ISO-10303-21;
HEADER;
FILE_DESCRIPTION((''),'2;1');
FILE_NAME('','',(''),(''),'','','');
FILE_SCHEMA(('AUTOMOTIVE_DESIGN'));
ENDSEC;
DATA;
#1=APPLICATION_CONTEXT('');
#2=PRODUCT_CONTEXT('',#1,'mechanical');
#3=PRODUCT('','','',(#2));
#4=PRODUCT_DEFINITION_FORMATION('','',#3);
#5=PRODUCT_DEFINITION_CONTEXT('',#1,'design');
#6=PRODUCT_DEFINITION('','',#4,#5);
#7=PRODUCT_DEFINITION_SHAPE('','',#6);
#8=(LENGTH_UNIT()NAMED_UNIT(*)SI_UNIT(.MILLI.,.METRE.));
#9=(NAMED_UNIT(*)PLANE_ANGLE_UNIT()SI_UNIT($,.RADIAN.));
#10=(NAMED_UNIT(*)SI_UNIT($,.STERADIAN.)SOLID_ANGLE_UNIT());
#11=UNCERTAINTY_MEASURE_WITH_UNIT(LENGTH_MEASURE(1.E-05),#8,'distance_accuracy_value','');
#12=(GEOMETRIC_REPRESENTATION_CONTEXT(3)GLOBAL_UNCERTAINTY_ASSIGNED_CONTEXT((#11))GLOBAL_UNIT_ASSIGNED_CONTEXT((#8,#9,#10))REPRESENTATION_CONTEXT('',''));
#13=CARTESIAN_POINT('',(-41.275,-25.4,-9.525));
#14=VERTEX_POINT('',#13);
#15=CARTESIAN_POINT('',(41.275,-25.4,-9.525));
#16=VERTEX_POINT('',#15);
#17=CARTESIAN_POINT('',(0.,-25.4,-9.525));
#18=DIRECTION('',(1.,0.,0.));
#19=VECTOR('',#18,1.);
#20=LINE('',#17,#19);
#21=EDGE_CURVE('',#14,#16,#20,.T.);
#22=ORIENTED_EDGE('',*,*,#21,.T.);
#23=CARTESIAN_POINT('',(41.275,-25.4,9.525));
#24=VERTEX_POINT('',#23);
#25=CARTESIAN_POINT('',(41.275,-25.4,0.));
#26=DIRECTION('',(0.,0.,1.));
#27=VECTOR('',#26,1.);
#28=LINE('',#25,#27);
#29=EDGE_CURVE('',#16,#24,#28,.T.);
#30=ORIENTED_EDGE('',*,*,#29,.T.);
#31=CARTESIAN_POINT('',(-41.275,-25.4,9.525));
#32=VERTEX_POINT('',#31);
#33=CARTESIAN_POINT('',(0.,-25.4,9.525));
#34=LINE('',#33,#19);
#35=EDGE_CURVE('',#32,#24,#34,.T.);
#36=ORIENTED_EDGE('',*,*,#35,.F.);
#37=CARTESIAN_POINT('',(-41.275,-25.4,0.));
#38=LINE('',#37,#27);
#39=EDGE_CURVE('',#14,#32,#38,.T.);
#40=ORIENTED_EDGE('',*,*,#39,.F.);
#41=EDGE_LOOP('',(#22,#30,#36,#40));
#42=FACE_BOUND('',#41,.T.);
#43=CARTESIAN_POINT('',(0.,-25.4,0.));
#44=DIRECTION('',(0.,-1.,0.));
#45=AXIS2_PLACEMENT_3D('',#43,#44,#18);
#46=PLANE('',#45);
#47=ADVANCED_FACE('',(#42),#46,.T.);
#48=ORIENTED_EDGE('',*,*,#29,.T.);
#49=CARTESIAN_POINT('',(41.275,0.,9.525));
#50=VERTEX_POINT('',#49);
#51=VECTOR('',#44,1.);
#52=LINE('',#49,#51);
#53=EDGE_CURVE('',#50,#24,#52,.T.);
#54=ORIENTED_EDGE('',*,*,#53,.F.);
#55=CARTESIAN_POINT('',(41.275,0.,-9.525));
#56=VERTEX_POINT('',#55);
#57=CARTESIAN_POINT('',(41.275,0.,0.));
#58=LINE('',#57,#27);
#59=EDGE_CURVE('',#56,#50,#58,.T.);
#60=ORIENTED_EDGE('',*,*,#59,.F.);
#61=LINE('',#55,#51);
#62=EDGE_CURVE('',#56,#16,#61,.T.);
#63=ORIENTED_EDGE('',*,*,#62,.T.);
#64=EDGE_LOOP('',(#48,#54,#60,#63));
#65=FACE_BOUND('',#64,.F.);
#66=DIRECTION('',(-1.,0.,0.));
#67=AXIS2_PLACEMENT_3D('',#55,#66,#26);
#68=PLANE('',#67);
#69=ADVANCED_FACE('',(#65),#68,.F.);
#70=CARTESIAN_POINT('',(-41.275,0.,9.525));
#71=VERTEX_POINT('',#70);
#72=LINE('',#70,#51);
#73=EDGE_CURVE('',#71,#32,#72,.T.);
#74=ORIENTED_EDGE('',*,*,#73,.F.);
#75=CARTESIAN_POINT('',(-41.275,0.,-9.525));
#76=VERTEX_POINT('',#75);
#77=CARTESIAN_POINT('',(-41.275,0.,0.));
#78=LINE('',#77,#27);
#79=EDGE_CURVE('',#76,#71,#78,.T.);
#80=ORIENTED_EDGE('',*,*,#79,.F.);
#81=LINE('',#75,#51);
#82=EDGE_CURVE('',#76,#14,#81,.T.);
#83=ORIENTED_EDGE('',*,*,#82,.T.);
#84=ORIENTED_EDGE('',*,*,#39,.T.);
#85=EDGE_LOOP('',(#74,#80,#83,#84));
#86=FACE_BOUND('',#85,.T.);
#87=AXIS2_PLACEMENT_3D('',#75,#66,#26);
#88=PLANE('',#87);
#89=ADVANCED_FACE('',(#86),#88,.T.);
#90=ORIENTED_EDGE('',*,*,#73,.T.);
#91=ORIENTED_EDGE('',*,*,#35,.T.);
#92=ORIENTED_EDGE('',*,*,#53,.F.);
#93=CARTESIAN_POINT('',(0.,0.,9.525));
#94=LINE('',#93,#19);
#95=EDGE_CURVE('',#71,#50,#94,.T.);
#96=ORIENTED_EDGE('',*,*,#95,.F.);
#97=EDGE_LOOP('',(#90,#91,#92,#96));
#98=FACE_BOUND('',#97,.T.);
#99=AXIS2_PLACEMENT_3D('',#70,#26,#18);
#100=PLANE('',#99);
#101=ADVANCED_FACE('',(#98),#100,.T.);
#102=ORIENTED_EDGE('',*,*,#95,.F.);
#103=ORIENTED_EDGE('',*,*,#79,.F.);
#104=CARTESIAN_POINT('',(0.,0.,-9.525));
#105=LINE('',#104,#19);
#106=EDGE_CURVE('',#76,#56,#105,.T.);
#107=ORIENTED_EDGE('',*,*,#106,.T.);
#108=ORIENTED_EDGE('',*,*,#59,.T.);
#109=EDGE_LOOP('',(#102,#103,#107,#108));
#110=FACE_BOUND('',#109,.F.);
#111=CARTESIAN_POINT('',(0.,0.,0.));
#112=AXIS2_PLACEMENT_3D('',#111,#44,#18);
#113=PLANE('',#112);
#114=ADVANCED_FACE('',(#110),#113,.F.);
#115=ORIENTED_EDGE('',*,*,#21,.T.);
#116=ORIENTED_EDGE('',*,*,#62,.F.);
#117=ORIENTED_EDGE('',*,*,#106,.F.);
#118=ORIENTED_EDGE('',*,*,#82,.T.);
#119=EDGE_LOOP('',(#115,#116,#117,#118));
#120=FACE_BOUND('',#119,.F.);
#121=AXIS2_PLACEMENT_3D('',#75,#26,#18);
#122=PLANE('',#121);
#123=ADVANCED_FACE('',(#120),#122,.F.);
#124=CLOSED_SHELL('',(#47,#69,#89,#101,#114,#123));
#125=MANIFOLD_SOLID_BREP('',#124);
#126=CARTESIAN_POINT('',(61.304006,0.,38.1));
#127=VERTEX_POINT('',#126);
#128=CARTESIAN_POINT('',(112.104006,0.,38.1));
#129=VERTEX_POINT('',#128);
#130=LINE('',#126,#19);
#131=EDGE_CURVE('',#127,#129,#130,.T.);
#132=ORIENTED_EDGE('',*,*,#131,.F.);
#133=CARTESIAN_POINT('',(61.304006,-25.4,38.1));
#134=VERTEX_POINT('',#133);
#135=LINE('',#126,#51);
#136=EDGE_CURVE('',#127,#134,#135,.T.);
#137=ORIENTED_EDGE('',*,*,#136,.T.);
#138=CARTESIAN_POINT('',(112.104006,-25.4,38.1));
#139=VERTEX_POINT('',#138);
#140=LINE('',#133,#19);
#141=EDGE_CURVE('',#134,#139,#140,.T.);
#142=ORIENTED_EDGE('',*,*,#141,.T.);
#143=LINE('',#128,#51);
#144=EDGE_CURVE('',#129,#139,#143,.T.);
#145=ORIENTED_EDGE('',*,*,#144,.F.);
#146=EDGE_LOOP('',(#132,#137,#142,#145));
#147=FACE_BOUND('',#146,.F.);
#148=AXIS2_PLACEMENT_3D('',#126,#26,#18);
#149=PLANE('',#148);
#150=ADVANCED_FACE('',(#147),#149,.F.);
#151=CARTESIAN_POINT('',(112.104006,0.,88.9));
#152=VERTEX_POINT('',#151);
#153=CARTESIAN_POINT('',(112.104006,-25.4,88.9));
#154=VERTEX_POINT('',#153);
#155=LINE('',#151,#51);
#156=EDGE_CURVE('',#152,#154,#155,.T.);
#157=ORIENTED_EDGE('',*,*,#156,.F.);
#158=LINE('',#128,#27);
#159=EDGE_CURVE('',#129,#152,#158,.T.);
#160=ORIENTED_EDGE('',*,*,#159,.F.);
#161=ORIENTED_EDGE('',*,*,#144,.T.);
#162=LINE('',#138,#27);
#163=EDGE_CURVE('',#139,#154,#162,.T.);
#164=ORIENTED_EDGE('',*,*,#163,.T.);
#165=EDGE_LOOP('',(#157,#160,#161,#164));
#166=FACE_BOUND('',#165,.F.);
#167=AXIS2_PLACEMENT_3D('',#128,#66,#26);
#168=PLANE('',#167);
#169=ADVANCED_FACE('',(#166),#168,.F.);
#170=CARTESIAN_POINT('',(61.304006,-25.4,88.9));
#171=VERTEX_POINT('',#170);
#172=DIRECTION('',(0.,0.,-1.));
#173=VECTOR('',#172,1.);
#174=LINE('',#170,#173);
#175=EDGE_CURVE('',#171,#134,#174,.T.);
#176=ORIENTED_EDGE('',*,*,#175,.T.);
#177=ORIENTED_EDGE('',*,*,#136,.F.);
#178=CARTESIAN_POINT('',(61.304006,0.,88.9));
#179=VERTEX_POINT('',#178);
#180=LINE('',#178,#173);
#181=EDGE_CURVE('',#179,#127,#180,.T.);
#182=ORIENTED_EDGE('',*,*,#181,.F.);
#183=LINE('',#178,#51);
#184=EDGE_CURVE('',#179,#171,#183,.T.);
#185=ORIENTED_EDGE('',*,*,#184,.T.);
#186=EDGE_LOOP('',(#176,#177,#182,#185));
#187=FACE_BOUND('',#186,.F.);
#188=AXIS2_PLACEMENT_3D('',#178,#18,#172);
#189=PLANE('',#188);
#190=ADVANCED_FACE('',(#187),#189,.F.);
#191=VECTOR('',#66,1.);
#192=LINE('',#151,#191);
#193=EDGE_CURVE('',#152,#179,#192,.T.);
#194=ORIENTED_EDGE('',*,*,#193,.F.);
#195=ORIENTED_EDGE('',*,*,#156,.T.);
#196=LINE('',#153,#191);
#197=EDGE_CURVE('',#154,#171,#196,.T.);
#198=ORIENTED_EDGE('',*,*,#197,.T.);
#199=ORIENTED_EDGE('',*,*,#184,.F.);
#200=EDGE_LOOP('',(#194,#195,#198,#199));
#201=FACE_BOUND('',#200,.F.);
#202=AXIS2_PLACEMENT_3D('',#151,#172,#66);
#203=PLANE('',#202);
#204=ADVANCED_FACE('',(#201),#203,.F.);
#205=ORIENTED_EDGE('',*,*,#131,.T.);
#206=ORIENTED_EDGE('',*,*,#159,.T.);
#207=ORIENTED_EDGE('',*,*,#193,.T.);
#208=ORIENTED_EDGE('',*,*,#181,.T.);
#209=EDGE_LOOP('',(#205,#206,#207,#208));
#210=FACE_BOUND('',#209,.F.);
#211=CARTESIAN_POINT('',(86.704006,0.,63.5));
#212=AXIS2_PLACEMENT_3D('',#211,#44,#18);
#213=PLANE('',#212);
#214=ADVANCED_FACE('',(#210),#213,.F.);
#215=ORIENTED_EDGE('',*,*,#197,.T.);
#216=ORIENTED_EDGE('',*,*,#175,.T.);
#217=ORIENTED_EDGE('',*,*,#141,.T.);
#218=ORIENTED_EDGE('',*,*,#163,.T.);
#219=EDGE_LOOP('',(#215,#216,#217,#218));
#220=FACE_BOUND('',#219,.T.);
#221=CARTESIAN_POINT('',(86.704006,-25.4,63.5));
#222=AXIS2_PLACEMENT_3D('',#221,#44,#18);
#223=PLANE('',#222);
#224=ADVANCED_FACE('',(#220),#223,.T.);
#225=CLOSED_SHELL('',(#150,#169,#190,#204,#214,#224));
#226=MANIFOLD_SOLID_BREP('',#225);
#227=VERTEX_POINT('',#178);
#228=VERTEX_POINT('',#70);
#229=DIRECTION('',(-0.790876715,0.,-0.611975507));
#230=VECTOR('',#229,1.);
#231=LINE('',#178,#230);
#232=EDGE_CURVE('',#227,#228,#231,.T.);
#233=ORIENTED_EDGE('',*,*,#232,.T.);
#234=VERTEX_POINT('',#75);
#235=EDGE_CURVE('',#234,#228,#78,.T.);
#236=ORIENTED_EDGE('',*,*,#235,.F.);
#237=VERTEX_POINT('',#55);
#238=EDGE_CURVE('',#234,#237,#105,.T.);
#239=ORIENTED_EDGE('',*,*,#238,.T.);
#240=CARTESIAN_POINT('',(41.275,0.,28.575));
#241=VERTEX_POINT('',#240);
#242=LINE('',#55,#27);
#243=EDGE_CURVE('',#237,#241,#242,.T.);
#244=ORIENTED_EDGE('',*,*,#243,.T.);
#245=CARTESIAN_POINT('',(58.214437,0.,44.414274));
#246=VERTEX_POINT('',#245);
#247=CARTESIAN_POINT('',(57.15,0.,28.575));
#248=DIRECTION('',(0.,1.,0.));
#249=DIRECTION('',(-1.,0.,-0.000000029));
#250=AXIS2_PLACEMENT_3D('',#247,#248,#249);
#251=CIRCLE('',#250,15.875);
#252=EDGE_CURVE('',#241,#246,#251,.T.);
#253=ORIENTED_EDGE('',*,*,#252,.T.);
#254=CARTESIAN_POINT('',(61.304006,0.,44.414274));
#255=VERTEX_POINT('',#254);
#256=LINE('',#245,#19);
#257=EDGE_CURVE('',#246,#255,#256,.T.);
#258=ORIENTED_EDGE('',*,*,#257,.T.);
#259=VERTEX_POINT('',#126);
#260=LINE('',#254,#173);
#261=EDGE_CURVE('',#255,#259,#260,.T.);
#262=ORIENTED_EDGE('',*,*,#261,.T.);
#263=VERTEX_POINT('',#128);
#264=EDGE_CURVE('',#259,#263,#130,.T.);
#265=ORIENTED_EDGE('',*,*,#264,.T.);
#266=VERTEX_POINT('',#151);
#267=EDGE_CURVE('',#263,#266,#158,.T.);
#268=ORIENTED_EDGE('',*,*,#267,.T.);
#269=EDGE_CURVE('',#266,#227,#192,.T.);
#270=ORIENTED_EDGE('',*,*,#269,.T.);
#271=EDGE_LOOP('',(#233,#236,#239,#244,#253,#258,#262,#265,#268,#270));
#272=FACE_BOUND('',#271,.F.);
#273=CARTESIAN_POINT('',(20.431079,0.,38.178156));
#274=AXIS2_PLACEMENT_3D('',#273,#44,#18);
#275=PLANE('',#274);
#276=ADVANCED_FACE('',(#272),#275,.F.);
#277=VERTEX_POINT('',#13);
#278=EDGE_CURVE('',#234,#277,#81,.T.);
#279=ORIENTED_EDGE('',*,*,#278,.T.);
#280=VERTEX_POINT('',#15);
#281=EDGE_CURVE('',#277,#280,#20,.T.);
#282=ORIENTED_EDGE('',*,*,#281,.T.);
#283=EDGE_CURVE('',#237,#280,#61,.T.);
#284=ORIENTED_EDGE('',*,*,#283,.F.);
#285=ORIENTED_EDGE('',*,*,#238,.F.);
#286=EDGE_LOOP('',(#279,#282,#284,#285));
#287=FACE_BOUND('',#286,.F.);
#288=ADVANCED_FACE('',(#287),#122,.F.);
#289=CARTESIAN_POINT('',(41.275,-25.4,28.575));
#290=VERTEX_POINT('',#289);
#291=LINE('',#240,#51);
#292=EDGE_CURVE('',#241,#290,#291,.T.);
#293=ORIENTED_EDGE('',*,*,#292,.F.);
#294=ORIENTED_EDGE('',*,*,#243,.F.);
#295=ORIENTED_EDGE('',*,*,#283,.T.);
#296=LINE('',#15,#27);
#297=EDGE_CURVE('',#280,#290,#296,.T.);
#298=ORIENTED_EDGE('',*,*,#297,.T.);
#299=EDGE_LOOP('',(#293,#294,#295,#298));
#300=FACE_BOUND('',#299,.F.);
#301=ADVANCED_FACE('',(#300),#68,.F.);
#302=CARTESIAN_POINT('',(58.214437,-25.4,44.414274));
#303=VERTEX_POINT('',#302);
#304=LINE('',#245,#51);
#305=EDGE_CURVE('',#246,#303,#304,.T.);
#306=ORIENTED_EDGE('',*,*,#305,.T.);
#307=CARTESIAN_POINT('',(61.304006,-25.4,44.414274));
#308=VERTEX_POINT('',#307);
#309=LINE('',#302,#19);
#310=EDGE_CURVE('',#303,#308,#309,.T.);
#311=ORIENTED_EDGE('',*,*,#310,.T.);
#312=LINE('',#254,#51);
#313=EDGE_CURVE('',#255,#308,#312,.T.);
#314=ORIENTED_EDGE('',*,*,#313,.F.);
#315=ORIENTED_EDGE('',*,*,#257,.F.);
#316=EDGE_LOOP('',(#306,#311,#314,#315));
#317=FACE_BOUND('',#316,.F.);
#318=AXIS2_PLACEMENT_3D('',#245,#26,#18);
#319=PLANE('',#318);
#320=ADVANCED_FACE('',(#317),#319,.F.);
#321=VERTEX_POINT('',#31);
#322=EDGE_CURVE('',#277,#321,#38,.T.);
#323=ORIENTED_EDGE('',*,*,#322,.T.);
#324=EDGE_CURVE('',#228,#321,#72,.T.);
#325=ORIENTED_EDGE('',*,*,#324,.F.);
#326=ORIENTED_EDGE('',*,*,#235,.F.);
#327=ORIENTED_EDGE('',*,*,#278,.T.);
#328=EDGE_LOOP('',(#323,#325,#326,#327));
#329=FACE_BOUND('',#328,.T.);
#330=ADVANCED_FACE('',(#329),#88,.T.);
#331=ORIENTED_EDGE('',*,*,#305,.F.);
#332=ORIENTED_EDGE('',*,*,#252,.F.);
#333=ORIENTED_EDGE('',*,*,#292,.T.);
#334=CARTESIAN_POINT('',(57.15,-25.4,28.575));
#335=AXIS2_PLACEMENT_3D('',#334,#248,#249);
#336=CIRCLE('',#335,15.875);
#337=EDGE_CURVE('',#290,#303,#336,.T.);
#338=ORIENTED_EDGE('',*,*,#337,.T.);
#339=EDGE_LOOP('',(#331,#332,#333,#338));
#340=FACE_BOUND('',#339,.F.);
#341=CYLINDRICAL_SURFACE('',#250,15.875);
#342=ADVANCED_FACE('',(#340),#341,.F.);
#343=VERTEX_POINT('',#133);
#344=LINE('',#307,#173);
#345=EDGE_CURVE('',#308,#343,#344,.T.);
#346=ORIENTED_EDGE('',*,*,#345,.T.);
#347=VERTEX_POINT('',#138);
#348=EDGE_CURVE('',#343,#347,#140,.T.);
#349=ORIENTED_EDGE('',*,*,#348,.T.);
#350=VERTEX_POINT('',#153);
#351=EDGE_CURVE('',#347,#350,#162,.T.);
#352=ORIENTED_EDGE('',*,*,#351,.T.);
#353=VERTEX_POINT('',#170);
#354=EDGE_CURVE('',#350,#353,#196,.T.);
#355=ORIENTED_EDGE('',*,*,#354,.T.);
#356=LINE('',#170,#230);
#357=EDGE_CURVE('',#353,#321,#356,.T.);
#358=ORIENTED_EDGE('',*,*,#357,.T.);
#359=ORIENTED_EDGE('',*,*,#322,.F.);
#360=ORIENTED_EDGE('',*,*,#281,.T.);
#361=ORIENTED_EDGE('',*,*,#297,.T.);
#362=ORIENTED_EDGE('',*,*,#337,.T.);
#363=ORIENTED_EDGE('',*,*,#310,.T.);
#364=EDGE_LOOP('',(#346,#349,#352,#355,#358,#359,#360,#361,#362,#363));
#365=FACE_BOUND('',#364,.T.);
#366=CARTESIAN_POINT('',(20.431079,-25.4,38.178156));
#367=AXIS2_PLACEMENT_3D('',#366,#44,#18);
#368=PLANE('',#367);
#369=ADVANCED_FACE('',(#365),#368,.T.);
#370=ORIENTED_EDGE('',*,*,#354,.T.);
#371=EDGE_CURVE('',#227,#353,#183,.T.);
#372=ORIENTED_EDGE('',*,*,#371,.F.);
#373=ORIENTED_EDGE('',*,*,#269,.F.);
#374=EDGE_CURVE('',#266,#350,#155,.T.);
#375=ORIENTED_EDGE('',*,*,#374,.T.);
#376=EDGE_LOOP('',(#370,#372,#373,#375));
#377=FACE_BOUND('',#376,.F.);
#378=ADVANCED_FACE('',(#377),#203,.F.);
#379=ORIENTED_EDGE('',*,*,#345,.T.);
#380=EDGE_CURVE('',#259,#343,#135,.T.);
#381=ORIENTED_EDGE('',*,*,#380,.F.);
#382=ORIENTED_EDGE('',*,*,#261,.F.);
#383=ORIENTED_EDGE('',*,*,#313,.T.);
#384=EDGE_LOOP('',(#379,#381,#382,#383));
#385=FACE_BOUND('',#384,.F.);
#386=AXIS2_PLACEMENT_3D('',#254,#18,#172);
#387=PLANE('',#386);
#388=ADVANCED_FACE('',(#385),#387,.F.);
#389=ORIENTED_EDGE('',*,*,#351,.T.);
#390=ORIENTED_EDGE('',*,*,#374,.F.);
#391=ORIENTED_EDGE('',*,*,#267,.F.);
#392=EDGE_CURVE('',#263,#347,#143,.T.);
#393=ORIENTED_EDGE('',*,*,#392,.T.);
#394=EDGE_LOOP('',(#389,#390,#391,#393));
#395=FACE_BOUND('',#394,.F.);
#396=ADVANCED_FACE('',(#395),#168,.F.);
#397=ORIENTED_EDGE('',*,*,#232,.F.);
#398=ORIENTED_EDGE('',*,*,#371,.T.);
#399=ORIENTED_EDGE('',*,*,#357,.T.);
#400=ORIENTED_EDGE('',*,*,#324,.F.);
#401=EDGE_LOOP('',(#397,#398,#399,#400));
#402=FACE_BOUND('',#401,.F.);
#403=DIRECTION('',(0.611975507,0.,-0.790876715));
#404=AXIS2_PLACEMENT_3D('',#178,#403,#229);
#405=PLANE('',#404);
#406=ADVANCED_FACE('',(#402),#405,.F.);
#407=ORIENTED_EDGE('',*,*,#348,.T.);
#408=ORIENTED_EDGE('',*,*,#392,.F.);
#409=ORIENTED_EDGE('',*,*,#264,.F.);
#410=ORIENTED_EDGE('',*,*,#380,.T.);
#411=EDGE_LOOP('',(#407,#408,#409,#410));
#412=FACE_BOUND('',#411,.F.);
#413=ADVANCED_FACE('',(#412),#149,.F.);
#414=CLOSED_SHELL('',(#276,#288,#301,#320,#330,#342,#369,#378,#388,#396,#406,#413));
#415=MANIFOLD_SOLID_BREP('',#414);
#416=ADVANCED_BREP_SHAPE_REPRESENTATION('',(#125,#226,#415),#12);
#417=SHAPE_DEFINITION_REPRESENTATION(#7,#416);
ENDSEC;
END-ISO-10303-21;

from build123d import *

# Parameters (mm, degrees)
F0_W     = 82.55
F0_H     = 19.05
F1_DEPTH = 25.4
F2_DEPTH = 25.4


with BuildPart() as f1:
    # F0 (on Front) → F1 (new body)
    with BuildSketch(Plane.XZ):
        Rectangle(F0_W, F0_H)
        Polygon((112.104006, 88.9), (61.304006, 88.9), (61.304006, 44.414274), (61.304006, 38.1), (112.104006, 38.1), align=None)
    extrude(amount=F1_DEPTH)


with BuildPart() as f2:
    # F0 (on Front) → F2 (new body)
    with BuildSketch(Plane.XZ):
        with BuildLine():
            Line((61.304006, 88.9), (-41.275, 9.525))
            Line((-41.275, 9.525), (41.275, 9.525))
            Line((41.275, 9.525), (41.275, 28.575))
            ThreePointArc((41.275, 28.575), (46.307544, 40.17055), (58.214437, 44.414274))
            Line((58.214437, 44.414274), (61.304006, 44.414274))
            Line((61.304006, 44.414274), (61.304006, 88.9))
        make_face()
        Rectangle(F0_W, F0_H)
        Polygon((112.104006, 88.9), (61.304006, 88.9), (61.304006, 44.414274), (61.304006, 38.1), (112.104006, 38.1), align=None)
    extrude(amount=F2_DEPTH)


solid = Compound([f1.part, f2.part])
